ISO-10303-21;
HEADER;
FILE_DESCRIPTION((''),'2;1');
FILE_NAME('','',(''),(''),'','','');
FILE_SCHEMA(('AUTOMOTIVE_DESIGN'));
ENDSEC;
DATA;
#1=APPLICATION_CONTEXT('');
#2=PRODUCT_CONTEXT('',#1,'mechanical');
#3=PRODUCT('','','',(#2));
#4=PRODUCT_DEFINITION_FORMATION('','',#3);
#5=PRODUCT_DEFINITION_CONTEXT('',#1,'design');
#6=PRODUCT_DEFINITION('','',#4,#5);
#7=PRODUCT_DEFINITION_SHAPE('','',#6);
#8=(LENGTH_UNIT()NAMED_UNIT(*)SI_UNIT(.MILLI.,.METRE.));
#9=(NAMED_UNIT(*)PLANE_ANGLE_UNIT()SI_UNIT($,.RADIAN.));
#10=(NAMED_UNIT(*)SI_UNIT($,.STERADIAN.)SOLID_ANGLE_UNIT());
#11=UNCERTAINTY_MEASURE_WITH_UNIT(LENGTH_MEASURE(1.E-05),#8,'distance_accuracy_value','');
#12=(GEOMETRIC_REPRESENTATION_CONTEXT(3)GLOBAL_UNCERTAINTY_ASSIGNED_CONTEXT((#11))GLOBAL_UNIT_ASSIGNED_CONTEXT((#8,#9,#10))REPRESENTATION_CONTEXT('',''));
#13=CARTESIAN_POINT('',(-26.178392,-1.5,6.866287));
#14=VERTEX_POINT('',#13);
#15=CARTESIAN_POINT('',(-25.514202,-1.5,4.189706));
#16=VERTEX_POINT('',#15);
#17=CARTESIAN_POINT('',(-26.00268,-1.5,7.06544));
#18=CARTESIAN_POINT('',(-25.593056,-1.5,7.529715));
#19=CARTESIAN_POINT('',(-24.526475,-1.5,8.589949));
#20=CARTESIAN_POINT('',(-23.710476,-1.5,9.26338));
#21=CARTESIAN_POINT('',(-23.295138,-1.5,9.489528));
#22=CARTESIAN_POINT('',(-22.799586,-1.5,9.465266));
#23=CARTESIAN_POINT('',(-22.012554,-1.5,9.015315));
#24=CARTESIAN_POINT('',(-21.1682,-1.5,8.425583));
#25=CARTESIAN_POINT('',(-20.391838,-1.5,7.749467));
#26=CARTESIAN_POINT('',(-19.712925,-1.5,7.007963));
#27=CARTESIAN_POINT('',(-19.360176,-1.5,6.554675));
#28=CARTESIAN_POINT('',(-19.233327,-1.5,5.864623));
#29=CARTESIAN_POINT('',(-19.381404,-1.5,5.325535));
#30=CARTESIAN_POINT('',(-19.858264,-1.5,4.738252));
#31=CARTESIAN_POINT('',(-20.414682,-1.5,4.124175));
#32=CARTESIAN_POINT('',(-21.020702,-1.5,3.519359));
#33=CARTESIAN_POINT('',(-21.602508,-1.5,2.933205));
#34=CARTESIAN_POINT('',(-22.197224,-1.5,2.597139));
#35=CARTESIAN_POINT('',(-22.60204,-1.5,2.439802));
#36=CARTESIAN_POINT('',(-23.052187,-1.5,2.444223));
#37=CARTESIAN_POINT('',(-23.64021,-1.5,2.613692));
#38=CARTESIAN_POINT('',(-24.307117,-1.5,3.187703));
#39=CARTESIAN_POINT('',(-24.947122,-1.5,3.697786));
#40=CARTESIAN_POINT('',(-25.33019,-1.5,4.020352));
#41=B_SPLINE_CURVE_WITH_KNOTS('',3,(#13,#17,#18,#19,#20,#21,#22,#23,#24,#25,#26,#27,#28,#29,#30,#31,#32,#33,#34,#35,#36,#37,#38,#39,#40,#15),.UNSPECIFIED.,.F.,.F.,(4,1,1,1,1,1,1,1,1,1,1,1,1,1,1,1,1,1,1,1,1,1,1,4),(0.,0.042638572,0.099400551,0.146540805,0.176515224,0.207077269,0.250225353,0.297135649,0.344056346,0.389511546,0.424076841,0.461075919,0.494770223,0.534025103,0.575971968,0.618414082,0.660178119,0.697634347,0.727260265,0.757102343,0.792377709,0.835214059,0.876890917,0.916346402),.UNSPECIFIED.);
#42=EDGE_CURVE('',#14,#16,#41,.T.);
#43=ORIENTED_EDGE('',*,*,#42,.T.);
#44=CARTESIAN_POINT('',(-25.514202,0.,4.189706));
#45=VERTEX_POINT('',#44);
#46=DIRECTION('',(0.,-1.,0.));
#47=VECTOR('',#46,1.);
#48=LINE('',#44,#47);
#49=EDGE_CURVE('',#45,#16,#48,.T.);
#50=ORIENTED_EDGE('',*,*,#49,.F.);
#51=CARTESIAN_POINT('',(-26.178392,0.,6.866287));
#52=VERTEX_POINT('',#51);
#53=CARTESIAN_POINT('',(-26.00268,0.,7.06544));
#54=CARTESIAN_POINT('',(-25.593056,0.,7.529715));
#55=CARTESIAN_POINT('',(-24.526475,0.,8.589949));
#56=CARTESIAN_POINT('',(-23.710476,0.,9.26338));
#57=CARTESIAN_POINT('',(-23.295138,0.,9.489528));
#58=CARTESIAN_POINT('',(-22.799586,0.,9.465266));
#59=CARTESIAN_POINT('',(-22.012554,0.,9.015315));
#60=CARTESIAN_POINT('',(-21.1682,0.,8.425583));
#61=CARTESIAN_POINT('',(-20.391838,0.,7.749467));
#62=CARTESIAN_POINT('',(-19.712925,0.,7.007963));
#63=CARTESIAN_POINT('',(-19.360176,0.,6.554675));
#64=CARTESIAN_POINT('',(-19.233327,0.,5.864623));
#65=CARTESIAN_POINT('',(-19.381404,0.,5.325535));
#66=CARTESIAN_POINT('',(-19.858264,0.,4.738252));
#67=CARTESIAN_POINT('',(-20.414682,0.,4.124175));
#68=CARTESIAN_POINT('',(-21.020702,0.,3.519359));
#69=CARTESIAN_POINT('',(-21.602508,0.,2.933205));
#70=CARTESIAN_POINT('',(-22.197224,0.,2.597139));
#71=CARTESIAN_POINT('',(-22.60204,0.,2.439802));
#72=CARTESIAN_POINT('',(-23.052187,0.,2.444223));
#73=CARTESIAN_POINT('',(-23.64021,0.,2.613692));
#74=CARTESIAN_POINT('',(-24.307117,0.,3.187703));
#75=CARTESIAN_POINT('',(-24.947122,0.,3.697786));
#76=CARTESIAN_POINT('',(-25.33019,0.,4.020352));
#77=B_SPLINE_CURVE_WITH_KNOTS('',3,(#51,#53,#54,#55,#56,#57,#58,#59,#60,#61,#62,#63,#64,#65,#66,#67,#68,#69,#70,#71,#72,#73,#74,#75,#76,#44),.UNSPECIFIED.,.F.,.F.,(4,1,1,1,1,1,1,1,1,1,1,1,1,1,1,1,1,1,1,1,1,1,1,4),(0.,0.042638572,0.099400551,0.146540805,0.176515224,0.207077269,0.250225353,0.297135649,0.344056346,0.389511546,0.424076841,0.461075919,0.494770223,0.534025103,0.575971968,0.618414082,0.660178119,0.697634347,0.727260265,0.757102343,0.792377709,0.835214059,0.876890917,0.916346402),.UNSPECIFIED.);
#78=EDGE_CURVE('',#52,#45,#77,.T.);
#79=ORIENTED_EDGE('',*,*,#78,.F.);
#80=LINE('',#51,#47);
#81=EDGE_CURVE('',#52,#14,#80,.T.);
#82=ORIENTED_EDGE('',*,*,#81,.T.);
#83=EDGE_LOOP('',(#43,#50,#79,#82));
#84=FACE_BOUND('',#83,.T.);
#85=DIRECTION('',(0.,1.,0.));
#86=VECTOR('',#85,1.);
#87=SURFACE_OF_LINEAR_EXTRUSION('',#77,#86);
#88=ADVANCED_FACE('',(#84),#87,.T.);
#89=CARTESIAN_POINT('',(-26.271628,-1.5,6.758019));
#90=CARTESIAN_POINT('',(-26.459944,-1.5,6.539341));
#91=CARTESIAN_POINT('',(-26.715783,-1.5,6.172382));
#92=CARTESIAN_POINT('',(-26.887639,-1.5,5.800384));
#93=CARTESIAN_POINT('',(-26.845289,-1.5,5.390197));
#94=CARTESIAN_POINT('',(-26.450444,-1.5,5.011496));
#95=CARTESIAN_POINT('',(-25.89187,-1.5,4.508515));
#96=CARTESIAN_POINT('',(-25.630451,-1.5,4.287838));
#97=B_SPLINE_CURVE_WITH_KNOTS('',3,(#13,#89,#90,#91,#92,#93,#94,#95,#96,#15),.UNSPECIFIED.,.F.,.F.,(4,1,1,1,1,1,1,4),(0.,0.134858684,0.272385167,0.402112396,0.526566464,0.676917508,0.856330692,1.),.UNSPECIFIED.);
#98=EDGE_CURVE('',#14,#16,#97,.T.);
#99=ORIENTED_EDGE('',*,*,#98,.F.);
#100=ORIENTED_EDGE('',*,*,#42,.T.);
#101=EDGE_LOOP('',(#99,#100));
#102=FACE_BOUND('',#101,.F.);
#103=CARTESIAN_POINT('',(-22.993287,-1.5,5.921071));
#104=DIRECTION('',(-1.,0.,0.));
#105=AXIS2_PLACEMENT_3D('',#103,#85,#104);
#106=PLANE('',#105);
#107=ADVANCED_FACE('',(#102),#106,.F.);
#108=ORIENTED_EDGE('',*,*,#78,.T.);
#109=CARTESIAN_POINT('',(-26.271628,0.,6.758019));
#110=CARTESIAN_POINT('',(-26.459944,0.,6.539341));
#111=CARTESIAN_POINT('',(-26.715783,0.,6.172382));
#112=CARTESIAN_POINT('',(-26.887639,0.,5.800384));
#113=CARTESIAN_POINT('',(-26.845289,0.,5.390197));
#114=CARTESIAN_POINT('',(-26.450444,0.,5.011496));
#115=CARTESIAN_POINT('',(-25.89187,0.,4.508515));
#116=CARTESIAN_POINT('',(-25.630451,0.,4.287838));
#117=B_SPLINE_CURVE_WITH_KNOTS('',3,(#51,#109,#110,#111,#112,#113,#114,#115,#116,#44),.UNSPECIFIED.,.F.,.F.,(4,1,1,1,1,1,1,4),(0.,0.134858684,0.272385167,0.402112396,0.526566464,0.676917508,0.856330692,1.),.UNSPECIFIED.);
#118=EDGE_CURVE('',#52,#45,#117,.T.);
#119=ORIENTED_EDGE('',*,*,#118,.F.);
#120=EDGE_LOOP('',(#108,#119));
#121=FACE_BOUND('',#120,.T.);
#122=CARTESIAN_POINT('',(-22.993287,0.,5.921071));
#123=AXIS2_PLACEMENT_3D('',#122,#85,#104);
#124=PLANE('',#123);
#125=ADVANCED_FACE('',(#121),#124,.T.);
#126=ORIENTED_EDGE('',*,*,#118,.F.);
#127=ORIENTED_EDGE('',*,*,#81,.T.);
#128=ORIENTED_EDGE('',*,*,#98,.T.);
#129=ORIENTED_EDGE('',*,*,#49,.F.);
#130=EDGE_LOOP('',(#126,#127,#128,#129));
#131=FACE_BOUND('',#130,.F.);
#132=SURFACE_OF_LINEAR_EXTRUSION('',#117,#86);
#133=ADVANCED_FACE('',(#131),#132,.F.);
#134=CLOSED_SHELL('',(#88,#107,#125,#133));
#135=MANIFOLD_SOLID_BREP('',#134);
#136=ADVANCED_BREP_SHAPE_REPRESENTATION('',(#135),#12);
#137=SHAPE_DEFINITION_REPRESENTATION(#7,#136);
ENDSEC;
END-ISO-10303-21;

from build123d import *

# Parameters (mm, degrees)
F1_DEPTH = 1.5


with BuildPart() as f1:
    # F0 (on Front) → F1 (new body)
    with BuildSketch(Plane.XZ):
        with BuildLine():
            add(Edge.make_bspline(
                [(-26.1783916503, 6.8662865087), (-26.0026804636, 7.065440312), (-25.5930563149, 7.5297147196), (-24.5264751607, 8.58994935), (-23.7104756791, 9.2633800279), (-23.2951378356, 9.4895280041), (-22.7995860481, 9.4652664458), (-22.0125543552, 9.0153145276), (-21.1681996753, 8.4255829555), (-20.3918382089, 7.7494671588), (-19.7129248659, 7.007963262), (-19.3601757906, 6.5546749761), (-19.2333267519, 5.8646233499), (-19.3814035111, 5.3255348027), (-19.8582644621, 4.7382521052), (-20.4146823703, 4.124174515), (-21.0207021524, 3.5193592906), (-21.6025083454, 2.9332046788), (-22.1972236811, 2.5971388548), (-22.6020397095, 2.4398022513), (-23.0521871784, 2.4442225953), (-23.640210348, 2.6136919573), (-24.3071170822, 3.1877029823), (-24.9471219236, 3.6977864717), (-25.330190465, 4.0203522679), (-25.5142021924, 4.1897064075)],
                knots=[0, 0, 0, 0, 0.042638572, 0.0994005508, 0.1465408048, 0.1765152237, 0.2070772693, 0.250225353, 0.2971356485, 0.3440563464, 0.3895115458, 0.4240768411, 0.4610759186, 0.4947702233, 0.5340251029, 0.5759719676, 0.6184140824, 0.6601781192, 0.6976343465, 0.7272602646, 0.757102343, 0.7923777092, 0.8352140588, 0.8768909173, 0.916346402, 0.916346402, 0.916346402, 0.916346402], degree=3))
            add(Edge.make_bspline(
                [(-26.1783916503, 6.8662865087), (-26.2716275037, 6.7580185181), (-26.4599436183, 6.5393407605), (-26.7157834121, 6.1723821147), (-26.8876392146, 5.8003841792), (-26.8452890756, 5.3901967953), (-26.450444113, 5.0114964213), (-25.8918695409, 4.5085150828), (-25.6304507137, 4.2878378378), (-25.5142021924, 4.1897064075)],
                knots=[0, 0, 0, 0, 0.1348586843, 0.2723851667, 0.4021123958, 0.5265664641, 0.6769175082, 0.8563306923, 1, 1, 1, 1], degree=3))
        make_face()
    extrude(amount=F1_DEPTH)


solid = f1.part
